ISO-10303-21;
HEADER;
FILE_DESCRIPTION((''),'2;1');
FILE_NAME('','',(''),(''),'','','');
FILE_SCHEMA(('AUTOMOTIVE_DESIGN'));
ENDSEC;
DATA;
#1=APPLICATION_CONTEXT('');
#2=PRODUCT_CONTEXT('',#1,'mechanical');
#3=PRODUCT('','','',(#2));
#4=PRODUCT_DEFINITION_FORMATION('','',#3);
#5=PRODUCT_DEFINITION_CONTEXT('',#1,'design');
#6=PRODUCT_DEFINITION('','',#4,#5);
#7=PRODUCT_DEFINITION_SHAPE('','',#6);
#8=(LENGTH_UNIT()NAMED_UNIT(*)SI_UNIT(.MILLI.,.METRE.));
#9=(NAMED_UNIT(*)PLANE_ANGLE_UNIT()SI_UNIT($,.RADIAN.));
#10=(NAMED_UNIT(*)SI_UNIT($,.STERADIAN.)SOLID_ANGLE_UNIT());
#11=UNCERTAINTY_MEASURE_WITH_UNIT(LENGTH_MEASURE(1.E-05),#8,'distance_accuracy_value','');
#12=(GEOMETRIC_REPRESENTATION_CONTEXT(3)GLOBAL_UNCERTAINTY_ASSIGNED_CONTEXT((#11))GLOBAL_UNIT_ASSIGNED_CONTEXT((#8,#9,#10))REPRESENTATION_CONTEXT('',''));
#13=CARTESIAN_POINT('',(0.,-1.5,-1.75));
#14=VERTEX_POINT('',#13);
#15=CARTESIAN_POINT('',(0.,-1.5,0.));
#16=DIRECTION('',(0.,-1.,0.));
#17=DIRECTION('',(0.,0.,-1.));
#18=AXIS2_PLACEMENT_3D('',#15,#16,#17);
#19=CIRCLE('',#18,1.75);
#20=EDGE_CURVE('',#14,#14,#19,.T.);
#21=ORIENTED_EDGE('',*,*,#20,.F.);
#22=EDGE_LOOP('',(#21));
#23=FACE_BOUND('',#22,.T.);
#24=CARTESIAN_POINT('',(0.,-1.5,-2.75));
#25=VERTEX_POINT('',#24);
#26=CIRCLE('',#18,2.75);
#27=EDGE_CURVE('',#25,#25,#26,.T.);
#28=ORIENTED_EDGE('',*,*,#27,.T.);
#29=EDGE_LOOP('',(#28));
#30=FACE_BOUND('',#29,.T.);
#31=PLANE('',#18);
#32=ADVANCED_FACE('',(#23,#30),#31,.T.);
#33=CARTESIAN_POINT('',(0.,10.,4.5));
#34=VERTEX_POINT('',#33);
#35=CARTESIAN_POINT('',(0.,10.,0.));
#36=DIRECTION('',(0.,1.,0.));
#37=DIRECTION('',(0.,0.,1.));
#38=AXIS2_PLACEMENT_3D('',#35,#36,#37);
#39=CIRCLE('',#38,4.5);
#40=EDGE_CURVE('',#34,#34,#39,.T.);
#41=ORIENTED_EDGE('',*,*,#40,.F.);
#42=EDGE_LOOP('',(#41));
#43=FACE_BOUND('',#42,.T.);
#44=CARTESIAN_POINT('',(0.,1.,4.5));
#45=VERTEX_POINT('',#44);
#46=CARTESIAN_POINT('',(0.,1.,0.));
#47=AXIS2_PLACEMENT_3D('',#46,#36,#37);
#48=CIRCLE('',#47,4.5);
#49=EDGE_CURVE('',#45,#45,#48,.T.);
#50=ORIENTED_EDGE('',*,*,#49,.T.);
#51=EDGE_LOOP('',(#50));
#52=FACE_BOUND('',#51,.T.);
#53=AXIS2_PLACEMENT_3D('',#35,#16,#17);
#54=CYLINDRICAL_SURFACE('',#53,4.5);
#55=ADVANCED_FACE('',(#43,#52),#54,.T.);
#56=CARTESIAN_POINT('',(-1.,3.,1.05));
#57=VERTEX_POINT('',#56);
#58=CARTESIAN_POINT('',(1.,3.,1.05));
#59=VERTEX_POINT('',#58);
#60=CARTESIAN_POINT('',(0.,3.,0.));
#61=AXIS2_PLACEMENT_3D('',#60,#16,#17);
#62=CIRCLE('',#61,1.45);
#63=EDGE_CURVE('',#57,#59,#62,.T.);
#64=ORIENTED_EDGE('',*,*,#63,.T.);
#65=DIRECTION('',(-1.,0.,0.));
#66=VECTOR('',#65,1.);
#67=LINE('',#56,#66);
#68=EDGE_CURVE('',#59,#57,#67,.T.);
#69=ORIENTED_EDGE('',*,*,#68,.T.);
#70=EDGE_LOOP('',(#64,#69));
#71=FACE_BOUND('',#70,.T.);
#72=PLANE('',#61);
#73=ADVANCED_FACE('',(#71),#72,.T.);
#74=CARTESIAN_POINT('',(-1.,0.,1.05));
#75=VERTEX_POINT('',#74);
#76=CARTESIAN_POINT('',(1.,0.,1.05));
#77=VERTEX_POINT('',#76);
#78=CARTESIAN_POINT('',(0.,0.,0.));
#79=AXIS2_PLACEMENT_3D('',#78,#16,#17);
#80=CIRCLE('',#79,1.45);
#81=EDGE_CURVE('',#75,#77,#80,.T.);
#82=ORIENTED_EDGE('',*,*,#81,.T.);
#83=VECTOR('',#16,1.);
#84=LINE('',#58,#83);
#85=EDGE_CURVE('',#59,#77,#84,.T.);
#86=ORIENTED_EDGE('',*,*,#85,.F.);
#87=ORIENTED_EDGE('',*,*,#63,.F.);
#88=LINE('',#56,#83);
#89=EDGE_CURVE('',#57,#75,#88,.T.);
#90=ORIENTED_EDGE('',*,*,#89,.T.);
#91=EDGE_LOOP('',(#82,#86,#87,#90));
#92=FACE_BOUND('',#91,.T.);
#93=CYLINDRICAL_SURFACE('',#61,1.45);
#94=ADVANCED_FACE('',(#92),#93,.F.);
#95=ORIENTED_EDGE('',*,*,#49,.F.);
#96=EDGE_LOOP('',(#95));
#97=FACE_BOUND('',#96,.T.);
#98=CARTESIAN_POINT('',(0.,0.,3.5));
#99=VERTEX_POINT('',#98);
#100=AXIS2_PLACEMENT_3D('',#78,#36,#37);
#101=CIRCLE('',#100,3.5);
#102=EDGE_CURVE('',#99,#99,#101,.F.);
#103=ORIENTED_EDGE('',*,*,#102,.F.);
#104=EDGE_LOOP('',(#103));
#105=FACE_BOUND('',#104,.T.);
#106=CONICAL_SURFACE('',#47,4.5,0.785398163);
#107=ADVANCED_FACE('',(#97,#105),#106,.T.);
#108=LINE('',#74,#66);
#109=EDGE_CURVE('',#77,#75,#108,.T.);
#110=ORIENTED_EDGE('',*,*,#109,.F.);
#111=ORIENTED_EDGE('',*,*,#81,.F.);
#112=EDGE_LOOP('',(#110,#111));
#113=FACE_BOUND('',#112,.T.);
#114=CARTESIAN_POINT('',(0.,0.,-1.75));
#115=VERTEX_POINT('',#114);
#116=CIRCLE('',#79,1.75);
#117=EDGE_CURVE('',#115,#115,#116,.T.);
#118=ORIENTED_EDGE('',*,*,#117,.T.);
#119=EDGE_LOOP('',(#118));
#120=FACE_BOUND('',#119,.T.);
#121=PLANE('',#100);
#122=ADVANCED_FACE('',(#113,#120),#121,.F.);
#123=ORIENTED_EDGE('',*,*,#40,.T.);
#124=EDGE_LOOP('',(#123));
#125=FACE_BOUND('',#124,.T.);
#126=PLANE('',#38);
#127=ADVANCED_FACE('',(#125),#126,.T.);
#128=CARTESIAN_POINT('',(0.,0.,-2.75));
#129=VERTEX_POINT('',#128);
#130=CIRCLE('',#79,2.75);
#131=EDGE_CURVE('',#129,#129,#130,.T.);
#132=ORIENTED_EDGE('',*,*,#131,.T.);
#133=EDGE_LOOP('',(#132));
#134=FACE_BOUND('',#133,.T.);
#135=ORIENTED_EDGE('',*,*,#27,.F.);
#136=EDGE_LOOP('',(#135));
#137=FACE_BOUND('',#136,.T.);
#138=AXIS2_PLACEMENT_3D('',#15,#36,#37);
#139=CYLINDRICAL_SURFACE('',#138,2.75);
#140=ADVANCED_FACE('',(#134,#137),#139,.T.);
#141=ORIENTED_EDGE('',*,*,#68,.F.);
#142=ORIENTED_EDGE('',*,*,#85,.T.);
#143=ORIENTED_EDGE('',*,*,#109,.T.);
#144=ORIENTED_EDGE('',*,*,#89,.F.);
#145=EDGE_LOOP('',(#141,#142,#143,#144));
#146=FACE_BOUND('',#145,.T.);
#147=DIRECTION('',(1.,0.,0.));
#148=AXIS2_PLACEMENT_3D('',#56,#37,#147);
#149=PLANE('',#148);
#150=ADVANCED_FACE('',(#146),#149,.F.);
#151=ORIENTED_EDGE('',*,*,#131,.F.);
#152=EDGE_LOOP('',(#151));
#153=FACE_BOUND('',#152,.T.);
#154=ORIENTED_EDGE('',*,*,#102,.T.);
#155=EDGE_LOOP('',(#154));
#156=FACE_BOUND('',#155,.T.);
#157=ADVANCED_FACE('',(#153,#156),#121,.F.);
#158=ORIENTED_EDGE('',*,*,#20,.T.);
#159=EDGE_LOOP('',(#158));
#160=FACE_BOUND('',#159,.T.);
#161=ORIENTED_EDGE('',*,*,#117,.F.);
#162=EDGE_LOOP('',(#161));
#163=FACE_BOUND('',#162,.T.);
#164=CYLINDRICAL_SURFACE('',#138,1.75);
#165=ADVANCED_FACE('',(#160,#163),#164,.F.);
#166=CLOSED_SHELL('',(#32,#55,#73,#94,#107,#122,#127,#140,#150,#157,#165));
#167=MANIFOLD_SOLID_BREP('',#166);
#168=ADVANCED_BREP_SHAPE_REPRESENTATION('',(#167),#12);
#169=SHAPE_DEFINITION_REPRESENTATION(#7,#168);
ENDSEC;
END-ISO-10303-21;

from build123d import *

# Parameters (mm, degrees)
SKETCH1_R           = 4.5
BOSS_EXTRUDE1_DEPTH = 10
CUT_EXTRUDE1_DEPTH  = 3
SKETCH3_R           = 2.75
SKETCH3_R_2         = 1.75
BOSS_EXTRUDE2_DEPTH = 1.5
CHAMFER1_SIZE       = 1


with BuildPart() as part:
    # Sketch1 → Boss-Extrude1 (new body)
    with BuildSketch(Plane(origin=(0, 0, 0), x_dir=(1, 0, 0), z_dir=(0, 1, 0))):
        Circle(SKETCH1_R)
    extrude(amount=BOSS_EXTRUDE1_DEPTH)

    # Sketch2 → Cut-Extrude1 (cut)
    with BuildSketch(Plane.XZ):
        with BuildLine():
            Line((-1, 1.05), (1, 1.05))
            ThreePointArc((1, 1.05), (0, -1.45), (-1, 1.05))
        make_face()
    extrude(amount=-CUT_EXTRUDE1_DEPTH, mode=Mode.SUBTRACT)

    # Sketch3 → Boss-Extrude2 (add)
    with BuildSketch(Plane.XZ):
        Circle(SKETCH3_R)
        Circle(SKETCH3_R_2, mode=Mode.SUBTRACT)
    extrude(amount=BOSS_EXTRUDE2_DEPTH)

    # Chamfer1
    chamfer1_edges = [part.edges().sort_by_distance(p)[0] for p in [
        (-4.5, 0, 0),
    ]]
    chamfer(chamfer1_edges, length=CHAMFER1_SIZE)


solid = part.part
